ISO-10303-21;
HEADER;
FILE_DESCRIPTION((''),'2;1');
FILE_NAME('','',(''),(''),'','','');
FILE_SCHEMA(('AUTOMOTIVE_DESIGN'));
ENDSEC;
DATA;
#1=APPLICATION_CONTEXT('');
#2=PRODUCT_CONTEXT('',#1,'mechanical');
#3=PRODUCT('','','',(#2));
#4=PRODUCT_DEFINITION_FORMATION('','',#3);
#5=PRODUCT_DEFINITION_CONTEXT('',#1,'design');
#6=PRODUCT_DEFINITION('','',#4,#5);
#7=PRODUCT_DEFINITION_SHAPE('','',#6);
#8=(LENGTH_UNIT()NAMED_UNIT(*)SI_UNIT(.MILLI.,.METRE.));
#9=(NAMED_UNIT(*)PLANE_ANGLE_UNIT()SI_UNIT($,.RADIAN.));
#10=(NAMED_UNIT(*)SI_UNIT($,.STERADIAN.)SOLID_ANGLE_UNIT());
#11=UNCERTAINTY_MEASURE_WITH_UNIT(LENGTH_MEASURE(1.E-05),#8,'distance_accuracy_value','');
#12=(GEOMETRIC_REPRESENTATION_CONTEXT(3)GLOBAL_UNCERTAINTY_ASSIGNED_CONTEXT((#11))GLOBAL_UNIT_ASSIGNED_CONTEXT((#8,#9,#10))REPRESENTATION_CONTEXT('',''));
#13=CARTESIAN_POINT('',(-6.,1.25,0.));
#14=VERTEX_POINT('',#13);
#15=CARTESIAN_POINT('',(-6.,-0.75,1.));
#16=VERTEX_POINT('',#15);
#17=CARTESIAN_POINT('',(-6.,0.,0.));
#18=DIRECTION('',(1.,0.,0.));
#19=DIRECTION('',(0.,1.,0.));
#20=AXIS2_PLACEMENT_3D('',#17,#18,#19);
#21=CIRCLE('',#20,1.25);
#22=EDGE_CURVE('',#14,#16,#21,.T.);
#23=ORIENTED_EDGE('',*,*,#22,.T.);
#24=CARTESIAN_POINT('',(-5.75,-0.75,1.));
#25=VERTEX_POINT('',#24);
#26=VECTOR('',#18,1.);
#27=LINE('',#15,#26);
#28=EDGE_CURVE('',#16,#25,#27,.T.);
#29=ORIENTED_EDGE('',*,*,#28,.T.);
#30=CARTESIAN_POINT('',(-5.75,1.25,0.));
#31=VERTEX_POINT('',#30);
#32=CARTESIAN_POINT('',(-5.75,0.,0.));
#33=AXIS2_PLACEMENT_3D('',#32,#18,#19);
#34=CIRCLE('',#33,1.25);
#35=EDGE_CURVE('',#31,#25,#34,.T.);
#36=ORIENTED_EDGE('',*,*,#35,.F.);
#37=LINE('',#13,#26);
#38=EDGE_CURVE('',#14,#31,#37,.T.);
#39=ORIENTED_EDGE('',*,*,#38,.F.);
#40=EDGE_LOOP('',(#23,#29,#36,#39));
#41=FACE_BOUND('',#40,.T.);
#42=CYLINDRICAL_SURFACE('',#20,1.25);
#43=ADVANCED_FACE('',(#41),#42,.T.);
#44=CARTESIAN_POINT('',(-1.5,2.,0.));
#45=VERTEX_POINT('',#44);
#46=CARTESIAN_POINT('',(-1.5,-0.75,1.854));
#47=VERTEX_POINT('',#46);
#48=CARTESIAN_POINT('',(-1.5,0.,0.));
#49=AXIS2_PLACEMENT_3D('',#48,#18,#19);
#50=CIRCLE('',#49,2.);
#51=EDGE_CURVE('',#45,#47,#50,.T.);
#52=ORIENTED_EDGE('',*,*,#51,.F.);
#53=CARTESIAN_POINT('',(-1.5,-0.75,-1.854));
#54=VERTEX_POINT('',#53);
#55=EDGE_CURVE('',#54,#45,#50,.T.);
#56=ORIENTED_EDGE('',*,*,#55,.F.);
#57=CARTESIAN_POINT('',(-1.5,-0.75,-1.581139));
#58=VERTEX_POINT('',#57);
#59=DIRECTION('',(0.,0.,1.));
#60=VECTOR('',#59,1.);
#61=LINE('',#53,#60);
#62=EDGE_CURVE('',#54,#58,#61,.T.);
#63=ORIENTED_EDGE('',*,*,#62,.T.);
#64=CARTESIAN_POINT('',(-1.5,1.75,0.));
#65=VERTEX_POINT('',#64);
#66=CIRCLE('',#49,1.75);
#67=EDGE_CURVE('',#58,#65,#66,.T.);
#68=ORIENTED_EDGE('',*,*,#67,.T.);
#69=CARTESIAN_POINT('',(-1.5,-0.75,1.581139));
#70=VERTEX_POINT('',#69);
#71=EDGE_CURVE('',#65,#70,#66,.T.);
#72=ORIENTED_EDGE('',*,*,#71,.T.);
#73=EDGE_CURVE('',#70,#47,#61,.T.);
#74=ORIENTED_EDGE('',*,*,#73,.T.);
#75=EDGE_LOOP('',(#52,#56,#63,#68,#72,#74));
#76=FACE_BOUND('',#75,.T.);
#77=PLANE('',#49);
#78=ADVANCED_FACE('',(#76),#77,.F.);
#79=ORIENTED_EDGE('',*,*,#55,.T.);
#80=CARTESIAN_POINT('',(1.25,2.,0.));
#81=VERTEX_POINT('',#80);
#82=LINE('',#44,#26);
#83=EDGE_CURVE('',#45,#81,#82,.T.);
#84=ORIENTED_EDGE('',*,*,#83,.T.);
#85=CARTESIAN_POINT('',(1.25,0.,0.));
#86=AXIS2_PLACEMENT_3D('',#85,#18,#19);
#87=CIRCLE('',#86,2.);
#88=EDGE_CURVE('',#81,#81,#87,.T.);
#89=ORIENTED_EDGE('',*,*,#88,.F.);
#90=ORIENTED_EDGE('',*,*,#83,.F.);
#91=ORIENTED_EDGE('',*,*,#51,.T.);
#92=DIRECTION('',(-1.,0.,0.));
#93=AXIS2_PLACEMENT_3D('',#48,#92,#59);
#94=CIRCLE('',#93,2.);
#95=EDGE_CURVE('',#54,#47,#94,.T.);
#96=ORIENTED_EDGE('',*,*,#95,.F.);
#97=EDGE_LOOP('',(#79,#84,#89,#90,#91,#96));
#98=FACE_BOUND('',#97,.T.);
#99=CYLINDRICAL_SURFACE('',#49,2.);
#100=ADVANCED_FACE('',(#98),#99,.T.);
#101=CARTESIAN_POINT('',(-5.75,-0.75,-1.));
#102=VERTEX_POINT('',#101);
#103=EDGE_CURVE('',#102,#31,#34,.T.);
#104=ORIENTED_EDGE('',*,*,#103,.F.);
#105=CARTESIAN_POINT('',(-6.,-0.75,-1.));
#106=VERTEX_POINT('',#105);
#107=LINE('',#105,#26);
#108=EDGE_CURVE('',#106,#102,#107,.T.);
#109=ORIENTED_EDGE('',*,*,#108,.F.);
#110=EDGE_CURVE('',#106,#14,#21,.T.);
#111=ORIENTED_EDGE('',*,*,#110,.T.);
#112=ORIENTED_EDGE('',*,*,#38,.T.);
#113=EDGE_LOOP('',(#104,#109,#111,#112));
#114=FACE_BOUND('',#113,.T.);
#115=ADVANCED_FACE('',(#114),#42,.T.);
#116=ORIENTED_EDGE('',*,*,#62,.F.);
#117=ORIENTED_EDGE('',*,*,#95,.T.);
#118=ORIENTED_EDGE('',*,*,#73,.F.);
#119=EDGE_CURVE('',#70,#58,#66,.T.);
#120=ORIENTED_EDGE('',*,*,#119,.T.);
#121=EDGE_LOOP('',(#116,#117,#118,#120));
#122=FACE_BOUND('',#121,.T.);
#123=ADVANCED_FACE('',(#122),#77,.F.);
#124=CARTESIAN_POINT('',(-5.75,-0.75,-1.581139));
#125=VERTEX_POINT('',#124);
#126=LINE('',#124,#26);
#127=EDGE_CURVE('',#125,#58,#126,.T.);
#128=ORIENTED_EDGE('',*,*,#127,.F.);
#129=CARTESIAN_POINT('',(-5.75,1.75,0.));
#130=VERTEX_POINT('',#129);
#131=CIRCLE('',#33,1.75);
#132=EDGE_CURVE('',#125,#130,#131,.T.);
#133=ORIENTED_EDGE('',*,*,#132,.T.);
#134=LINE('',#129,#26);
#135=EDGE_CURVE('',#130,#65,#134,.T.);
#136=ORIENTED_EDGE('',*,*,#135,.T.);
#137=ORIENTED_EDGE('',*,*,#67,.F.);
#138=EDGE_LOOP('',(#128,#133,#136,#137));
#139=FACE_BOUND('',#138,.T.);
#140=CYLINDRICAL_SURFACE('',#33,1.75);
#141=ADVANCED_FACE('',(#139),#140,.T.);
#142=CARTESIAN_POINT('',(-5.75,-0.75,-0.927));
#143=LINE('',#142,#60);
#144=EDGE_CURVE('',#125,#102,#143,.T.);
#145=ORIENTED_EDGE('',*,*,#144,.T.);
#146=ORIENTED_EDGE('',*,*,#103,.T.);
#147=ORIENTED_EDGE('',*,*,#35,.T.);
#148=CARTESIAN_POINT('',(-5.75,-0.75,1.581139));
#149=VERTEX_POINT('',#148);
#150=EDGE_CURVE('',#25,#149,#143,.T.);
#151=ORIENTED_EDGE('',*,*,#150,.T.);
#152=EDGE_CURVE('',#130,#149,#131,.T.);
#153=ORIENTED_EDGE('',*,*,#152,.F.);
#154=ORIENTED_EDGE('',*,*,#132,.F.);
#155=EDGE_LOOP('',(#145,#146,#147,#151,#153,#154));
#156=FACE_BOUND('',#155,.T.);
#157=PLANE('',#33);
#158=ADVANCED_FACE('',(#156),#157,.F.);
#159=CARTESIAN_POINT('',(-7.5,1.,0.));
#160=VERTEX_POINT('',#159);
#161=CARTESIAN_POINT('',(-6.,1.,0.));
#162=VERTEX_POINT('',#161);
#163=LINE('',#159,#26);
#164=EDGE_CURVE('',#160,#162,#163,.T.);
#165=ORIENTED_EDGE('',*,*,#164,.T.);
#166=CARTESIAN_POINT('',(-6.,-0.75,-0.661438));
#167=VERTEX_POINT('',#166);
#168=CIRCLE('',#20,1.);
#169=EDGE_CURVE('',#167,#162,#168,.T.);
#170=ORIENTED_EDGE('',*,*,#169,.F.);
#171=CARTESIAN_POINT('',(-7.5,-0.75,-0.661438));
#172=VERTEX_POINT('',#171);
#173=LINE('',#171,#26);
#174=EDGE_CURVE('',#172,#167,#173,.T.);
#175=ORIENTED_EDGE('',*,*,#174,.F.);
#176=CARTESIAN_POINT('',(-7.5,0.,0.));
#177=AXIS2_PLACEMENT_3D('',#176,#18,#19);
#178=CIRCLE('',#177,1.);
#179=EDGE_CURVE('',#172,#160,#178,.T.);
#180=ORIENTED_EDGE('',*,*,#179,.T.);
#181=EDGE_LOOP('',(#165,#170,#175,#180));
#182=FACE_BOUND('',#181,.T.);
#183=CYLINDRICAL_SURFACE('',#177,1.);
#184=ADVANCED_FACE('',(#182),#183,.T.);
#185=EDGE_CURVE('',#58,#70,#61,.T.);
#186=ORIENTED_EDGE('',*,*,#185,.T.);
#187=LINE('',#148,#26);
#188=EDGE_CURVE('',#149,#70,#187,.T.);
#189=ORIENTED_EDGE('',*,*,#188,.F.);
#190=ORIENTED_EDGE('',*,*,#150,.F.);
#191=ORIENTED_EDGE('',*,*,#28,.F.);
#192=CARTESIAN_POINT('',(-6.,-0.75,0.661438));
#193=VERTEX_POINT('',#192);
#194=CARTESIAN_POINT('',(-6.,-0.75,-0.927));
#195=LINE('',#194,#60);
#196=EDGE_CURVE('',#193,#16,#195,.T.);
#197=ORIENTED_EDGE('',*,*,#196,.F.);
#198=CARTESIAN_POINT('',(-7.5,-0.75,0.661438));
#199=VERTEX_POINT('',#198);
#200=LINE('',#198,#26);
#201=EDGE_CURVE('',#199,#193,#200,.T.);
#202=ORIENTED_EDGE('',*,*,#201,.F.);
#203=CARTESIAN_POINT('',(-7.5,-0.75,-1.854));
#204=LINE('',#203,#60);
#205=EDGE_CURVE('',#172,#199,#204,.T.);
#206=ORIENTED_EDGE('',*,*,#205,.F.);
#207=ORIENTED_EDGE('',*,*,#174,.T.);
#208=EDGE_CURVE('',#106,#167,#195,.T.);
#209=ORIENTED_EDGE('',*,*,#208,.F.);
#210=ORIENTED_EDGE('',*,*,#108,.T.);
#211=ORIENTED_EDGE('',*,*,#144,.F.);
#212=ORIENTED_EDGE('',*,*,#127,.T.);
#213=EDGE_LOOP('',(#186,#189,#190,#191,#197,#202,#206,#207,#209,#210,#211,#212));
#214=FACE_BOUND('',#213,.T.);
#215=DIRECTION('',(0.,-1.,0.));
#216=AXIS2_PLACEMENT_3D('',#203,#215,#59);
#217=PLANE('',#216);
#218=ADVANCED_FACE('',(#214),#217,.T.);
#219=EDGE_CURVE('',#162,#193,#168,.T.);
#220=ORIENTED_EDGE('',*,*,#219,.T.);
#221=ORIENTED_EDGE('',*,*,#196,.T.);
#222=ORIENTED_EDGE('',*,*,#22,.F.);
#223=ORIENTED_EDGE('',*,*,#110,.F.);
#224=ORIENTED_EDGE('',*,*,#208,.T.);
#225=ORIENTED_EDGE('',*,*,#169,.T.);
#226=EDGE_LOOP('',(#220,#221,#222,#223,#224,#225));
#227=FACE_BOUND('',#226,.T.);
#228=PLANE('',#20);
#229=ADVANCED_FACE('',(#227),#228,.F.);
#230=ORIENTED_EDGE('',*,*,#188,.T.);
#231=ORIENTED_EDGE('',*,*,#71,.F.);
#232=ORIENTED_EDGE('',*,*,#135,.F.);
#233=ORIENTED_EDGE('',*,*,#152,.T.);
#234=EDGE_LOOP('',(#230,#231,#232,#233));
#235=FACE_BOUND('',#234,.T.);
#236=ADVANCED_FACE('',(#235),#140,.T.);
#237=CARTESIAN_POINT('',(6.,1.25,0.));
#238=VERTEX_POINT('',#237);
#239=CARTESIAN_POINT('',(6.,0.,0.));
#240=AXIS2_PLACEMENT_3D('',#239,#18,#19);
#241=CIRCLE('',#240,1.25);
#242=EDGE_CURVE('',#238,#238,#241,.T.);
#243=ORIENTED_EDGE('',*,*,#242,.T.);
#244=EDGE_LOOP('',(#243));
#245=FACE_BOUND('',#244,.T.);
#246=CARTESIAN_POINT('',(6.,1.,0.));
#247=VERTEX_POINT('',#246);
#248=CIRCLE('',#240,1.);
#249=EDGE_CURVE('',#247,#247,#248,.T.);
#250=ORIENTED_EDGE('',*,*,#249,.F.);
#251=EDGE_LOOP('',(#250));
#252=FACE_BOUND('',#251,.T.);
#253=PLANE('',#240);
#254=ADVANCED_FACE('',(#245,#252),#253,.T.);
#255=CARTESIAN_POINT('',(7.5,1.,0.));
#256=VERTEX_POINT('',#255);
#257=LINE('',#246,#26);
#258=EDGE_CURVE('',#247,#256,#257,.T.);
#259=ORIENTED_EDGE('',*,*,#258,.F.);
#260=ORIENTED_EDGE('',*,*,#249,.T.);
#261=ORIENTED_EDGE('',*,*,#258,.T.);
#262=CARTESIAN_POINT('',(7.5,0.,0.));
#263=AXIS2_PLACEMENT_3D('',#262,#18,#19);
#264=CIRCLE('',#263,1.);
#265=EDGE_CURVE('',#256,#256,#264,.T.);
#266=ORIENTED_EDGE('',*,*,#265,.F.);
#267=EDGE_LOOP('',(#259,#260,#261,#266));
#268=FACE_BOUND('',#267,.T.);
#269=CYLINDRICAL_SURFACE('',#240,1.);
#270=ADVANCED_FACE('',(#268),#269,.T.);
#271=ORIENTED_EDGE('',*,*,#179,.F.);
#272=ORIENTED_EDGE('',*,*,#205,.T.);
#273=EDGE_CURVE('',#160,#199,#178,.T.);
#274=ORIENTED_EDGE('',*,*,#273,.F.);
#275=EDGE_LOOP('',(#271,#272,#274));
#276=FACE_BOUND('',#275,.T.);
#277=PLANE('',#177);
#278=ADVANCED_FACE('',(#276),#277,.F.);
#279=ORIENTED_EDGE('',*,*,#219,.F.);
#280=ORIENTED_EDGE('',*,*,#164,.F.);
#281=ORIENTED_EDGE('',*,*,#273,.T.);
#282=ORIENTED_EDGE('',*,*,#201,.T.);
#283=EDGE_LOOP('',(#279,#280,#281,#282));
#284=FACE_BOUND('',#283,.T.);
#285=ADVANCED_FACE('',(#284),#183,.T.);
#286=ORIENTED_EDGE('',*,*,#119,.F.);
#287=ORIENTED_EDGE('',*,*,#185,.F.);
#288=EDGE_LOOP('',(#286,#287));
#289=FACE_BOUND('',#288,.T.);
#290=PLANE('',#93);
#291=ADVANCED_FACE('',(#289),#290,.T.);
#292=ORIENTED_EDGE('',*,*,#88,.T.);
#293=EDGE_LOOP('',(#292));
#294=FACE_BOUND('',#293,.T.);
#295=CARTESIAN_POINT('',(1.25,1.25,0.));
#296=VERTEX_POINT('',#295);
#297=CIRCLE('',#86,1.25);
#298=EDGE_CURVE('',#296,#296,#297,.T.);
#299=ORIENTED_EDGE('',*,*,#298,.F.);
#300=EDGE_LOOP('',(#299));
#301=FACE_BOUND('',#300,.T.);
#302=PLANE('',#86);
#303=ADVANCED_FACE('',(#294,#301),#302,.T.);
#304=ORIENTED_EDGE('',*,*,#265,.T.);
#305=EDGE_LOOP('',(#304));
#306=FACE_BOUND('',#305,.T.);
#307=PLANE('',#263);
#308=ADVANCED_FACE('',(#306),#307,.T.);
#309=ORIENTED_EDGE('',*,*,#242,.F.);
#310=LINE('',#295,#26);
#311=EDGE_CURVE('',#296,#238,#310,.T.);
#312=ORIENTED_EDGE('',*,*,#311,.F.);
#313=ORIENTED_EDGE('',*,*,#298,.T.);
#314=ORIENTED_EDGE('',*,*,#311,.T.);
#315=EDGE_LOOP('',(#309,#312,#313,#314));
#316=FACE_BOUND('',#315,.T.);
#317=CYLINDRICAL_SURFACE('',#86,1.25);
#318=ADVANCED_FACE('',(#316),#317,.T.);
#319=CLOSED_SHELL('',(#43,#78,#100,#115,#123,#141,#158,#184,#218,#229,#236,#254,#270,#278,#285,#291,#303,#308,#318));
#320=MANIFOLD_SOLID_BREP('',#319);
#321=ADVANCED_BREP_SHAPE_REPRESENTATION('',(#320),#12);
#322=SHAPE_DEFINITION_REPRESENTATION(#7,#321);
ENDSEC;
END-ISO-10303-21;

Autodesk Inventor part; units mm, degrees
ref_plane "YZ Plane" through (0, 0, 0) normal (1, 0, 0) x (0, 1, 0)
ref_plane "XZ Plane" through (0, 0, 0) normal (0, 1, 0) x (-1, 0, 0)
ref_plane "XY Plane" through (0, 0, 0) normal (0, 0, 1) x (1, 0, 0)
sketch "Sketch1" plane through (0, 0, 0) normal (0, 0, 1) x (1, 0, 0)
  line L0 (-7.5, 0) -> (7.5, 0)
  line L1 (-7.5, 0) -> (-7.5, 1)
  line L2 (-7.5, 1) -> (-6, 1)
  line L3 (-6, 1) -> (-6, 1.25)
  line L4 (-6, 1.25) -> (-5.75, 1.25)
  line L5 (-5.75, 1.25) -> (-5.75, 1.75)
  line L6 (1.25, 1.25) -> (6, 1.25)
  line L7 (6, 1.25) -> (6, 1)
  line L8 (6, 1) -> (7.5, 1)
  line L9 (7.5, 1) -> (7.5, 0)
  line L10 (0, 0) -> (0, -6.3915) construction
  line L11 (-5.75, 1.75) -> (-1.5, 1.75)
  line L12 (-1.5, 1.75) -> (-1.5, 2)
  line L13 (-1.5, 2) -> (1.25, 2)
  line L14 (1.25, 2) -> (1.25, 1.25)
  dimension "d0" = 15
  dimension "d1" = 1.5
  dimension "d2" = 2
  dimension "d3" = 2.5
  dimension "d8" = 0.25
  dimension "d9" = 3.5
  dimension "d10" = 4
  dimension "d11" = 4.25
  dimension "d12" = 6.25
revolve "Revolution1" add sketch "Sketch1" angle 360 about axis through (-7.5, 0, 0) along (1, 0, 0)
sketch "Sketch2" plane through (-7.5, 0, 0) normal (-1, 0, 0) x (0, 0, 1)
  circle A0 centre (0, 0) radius 2 projected
  line L0 (-1.854, -0.75) -> (1.854, -0.75)
  point P0 (0, 0)
  dimension "d13" = 0.75
extrude "Extrusion1" cut sketch "Sketch2" against normal up to surface (6 mm away) contours L0 A0 picked at (0, -1.1667)
properties part number "IP axle" material "Stainless Steel"
